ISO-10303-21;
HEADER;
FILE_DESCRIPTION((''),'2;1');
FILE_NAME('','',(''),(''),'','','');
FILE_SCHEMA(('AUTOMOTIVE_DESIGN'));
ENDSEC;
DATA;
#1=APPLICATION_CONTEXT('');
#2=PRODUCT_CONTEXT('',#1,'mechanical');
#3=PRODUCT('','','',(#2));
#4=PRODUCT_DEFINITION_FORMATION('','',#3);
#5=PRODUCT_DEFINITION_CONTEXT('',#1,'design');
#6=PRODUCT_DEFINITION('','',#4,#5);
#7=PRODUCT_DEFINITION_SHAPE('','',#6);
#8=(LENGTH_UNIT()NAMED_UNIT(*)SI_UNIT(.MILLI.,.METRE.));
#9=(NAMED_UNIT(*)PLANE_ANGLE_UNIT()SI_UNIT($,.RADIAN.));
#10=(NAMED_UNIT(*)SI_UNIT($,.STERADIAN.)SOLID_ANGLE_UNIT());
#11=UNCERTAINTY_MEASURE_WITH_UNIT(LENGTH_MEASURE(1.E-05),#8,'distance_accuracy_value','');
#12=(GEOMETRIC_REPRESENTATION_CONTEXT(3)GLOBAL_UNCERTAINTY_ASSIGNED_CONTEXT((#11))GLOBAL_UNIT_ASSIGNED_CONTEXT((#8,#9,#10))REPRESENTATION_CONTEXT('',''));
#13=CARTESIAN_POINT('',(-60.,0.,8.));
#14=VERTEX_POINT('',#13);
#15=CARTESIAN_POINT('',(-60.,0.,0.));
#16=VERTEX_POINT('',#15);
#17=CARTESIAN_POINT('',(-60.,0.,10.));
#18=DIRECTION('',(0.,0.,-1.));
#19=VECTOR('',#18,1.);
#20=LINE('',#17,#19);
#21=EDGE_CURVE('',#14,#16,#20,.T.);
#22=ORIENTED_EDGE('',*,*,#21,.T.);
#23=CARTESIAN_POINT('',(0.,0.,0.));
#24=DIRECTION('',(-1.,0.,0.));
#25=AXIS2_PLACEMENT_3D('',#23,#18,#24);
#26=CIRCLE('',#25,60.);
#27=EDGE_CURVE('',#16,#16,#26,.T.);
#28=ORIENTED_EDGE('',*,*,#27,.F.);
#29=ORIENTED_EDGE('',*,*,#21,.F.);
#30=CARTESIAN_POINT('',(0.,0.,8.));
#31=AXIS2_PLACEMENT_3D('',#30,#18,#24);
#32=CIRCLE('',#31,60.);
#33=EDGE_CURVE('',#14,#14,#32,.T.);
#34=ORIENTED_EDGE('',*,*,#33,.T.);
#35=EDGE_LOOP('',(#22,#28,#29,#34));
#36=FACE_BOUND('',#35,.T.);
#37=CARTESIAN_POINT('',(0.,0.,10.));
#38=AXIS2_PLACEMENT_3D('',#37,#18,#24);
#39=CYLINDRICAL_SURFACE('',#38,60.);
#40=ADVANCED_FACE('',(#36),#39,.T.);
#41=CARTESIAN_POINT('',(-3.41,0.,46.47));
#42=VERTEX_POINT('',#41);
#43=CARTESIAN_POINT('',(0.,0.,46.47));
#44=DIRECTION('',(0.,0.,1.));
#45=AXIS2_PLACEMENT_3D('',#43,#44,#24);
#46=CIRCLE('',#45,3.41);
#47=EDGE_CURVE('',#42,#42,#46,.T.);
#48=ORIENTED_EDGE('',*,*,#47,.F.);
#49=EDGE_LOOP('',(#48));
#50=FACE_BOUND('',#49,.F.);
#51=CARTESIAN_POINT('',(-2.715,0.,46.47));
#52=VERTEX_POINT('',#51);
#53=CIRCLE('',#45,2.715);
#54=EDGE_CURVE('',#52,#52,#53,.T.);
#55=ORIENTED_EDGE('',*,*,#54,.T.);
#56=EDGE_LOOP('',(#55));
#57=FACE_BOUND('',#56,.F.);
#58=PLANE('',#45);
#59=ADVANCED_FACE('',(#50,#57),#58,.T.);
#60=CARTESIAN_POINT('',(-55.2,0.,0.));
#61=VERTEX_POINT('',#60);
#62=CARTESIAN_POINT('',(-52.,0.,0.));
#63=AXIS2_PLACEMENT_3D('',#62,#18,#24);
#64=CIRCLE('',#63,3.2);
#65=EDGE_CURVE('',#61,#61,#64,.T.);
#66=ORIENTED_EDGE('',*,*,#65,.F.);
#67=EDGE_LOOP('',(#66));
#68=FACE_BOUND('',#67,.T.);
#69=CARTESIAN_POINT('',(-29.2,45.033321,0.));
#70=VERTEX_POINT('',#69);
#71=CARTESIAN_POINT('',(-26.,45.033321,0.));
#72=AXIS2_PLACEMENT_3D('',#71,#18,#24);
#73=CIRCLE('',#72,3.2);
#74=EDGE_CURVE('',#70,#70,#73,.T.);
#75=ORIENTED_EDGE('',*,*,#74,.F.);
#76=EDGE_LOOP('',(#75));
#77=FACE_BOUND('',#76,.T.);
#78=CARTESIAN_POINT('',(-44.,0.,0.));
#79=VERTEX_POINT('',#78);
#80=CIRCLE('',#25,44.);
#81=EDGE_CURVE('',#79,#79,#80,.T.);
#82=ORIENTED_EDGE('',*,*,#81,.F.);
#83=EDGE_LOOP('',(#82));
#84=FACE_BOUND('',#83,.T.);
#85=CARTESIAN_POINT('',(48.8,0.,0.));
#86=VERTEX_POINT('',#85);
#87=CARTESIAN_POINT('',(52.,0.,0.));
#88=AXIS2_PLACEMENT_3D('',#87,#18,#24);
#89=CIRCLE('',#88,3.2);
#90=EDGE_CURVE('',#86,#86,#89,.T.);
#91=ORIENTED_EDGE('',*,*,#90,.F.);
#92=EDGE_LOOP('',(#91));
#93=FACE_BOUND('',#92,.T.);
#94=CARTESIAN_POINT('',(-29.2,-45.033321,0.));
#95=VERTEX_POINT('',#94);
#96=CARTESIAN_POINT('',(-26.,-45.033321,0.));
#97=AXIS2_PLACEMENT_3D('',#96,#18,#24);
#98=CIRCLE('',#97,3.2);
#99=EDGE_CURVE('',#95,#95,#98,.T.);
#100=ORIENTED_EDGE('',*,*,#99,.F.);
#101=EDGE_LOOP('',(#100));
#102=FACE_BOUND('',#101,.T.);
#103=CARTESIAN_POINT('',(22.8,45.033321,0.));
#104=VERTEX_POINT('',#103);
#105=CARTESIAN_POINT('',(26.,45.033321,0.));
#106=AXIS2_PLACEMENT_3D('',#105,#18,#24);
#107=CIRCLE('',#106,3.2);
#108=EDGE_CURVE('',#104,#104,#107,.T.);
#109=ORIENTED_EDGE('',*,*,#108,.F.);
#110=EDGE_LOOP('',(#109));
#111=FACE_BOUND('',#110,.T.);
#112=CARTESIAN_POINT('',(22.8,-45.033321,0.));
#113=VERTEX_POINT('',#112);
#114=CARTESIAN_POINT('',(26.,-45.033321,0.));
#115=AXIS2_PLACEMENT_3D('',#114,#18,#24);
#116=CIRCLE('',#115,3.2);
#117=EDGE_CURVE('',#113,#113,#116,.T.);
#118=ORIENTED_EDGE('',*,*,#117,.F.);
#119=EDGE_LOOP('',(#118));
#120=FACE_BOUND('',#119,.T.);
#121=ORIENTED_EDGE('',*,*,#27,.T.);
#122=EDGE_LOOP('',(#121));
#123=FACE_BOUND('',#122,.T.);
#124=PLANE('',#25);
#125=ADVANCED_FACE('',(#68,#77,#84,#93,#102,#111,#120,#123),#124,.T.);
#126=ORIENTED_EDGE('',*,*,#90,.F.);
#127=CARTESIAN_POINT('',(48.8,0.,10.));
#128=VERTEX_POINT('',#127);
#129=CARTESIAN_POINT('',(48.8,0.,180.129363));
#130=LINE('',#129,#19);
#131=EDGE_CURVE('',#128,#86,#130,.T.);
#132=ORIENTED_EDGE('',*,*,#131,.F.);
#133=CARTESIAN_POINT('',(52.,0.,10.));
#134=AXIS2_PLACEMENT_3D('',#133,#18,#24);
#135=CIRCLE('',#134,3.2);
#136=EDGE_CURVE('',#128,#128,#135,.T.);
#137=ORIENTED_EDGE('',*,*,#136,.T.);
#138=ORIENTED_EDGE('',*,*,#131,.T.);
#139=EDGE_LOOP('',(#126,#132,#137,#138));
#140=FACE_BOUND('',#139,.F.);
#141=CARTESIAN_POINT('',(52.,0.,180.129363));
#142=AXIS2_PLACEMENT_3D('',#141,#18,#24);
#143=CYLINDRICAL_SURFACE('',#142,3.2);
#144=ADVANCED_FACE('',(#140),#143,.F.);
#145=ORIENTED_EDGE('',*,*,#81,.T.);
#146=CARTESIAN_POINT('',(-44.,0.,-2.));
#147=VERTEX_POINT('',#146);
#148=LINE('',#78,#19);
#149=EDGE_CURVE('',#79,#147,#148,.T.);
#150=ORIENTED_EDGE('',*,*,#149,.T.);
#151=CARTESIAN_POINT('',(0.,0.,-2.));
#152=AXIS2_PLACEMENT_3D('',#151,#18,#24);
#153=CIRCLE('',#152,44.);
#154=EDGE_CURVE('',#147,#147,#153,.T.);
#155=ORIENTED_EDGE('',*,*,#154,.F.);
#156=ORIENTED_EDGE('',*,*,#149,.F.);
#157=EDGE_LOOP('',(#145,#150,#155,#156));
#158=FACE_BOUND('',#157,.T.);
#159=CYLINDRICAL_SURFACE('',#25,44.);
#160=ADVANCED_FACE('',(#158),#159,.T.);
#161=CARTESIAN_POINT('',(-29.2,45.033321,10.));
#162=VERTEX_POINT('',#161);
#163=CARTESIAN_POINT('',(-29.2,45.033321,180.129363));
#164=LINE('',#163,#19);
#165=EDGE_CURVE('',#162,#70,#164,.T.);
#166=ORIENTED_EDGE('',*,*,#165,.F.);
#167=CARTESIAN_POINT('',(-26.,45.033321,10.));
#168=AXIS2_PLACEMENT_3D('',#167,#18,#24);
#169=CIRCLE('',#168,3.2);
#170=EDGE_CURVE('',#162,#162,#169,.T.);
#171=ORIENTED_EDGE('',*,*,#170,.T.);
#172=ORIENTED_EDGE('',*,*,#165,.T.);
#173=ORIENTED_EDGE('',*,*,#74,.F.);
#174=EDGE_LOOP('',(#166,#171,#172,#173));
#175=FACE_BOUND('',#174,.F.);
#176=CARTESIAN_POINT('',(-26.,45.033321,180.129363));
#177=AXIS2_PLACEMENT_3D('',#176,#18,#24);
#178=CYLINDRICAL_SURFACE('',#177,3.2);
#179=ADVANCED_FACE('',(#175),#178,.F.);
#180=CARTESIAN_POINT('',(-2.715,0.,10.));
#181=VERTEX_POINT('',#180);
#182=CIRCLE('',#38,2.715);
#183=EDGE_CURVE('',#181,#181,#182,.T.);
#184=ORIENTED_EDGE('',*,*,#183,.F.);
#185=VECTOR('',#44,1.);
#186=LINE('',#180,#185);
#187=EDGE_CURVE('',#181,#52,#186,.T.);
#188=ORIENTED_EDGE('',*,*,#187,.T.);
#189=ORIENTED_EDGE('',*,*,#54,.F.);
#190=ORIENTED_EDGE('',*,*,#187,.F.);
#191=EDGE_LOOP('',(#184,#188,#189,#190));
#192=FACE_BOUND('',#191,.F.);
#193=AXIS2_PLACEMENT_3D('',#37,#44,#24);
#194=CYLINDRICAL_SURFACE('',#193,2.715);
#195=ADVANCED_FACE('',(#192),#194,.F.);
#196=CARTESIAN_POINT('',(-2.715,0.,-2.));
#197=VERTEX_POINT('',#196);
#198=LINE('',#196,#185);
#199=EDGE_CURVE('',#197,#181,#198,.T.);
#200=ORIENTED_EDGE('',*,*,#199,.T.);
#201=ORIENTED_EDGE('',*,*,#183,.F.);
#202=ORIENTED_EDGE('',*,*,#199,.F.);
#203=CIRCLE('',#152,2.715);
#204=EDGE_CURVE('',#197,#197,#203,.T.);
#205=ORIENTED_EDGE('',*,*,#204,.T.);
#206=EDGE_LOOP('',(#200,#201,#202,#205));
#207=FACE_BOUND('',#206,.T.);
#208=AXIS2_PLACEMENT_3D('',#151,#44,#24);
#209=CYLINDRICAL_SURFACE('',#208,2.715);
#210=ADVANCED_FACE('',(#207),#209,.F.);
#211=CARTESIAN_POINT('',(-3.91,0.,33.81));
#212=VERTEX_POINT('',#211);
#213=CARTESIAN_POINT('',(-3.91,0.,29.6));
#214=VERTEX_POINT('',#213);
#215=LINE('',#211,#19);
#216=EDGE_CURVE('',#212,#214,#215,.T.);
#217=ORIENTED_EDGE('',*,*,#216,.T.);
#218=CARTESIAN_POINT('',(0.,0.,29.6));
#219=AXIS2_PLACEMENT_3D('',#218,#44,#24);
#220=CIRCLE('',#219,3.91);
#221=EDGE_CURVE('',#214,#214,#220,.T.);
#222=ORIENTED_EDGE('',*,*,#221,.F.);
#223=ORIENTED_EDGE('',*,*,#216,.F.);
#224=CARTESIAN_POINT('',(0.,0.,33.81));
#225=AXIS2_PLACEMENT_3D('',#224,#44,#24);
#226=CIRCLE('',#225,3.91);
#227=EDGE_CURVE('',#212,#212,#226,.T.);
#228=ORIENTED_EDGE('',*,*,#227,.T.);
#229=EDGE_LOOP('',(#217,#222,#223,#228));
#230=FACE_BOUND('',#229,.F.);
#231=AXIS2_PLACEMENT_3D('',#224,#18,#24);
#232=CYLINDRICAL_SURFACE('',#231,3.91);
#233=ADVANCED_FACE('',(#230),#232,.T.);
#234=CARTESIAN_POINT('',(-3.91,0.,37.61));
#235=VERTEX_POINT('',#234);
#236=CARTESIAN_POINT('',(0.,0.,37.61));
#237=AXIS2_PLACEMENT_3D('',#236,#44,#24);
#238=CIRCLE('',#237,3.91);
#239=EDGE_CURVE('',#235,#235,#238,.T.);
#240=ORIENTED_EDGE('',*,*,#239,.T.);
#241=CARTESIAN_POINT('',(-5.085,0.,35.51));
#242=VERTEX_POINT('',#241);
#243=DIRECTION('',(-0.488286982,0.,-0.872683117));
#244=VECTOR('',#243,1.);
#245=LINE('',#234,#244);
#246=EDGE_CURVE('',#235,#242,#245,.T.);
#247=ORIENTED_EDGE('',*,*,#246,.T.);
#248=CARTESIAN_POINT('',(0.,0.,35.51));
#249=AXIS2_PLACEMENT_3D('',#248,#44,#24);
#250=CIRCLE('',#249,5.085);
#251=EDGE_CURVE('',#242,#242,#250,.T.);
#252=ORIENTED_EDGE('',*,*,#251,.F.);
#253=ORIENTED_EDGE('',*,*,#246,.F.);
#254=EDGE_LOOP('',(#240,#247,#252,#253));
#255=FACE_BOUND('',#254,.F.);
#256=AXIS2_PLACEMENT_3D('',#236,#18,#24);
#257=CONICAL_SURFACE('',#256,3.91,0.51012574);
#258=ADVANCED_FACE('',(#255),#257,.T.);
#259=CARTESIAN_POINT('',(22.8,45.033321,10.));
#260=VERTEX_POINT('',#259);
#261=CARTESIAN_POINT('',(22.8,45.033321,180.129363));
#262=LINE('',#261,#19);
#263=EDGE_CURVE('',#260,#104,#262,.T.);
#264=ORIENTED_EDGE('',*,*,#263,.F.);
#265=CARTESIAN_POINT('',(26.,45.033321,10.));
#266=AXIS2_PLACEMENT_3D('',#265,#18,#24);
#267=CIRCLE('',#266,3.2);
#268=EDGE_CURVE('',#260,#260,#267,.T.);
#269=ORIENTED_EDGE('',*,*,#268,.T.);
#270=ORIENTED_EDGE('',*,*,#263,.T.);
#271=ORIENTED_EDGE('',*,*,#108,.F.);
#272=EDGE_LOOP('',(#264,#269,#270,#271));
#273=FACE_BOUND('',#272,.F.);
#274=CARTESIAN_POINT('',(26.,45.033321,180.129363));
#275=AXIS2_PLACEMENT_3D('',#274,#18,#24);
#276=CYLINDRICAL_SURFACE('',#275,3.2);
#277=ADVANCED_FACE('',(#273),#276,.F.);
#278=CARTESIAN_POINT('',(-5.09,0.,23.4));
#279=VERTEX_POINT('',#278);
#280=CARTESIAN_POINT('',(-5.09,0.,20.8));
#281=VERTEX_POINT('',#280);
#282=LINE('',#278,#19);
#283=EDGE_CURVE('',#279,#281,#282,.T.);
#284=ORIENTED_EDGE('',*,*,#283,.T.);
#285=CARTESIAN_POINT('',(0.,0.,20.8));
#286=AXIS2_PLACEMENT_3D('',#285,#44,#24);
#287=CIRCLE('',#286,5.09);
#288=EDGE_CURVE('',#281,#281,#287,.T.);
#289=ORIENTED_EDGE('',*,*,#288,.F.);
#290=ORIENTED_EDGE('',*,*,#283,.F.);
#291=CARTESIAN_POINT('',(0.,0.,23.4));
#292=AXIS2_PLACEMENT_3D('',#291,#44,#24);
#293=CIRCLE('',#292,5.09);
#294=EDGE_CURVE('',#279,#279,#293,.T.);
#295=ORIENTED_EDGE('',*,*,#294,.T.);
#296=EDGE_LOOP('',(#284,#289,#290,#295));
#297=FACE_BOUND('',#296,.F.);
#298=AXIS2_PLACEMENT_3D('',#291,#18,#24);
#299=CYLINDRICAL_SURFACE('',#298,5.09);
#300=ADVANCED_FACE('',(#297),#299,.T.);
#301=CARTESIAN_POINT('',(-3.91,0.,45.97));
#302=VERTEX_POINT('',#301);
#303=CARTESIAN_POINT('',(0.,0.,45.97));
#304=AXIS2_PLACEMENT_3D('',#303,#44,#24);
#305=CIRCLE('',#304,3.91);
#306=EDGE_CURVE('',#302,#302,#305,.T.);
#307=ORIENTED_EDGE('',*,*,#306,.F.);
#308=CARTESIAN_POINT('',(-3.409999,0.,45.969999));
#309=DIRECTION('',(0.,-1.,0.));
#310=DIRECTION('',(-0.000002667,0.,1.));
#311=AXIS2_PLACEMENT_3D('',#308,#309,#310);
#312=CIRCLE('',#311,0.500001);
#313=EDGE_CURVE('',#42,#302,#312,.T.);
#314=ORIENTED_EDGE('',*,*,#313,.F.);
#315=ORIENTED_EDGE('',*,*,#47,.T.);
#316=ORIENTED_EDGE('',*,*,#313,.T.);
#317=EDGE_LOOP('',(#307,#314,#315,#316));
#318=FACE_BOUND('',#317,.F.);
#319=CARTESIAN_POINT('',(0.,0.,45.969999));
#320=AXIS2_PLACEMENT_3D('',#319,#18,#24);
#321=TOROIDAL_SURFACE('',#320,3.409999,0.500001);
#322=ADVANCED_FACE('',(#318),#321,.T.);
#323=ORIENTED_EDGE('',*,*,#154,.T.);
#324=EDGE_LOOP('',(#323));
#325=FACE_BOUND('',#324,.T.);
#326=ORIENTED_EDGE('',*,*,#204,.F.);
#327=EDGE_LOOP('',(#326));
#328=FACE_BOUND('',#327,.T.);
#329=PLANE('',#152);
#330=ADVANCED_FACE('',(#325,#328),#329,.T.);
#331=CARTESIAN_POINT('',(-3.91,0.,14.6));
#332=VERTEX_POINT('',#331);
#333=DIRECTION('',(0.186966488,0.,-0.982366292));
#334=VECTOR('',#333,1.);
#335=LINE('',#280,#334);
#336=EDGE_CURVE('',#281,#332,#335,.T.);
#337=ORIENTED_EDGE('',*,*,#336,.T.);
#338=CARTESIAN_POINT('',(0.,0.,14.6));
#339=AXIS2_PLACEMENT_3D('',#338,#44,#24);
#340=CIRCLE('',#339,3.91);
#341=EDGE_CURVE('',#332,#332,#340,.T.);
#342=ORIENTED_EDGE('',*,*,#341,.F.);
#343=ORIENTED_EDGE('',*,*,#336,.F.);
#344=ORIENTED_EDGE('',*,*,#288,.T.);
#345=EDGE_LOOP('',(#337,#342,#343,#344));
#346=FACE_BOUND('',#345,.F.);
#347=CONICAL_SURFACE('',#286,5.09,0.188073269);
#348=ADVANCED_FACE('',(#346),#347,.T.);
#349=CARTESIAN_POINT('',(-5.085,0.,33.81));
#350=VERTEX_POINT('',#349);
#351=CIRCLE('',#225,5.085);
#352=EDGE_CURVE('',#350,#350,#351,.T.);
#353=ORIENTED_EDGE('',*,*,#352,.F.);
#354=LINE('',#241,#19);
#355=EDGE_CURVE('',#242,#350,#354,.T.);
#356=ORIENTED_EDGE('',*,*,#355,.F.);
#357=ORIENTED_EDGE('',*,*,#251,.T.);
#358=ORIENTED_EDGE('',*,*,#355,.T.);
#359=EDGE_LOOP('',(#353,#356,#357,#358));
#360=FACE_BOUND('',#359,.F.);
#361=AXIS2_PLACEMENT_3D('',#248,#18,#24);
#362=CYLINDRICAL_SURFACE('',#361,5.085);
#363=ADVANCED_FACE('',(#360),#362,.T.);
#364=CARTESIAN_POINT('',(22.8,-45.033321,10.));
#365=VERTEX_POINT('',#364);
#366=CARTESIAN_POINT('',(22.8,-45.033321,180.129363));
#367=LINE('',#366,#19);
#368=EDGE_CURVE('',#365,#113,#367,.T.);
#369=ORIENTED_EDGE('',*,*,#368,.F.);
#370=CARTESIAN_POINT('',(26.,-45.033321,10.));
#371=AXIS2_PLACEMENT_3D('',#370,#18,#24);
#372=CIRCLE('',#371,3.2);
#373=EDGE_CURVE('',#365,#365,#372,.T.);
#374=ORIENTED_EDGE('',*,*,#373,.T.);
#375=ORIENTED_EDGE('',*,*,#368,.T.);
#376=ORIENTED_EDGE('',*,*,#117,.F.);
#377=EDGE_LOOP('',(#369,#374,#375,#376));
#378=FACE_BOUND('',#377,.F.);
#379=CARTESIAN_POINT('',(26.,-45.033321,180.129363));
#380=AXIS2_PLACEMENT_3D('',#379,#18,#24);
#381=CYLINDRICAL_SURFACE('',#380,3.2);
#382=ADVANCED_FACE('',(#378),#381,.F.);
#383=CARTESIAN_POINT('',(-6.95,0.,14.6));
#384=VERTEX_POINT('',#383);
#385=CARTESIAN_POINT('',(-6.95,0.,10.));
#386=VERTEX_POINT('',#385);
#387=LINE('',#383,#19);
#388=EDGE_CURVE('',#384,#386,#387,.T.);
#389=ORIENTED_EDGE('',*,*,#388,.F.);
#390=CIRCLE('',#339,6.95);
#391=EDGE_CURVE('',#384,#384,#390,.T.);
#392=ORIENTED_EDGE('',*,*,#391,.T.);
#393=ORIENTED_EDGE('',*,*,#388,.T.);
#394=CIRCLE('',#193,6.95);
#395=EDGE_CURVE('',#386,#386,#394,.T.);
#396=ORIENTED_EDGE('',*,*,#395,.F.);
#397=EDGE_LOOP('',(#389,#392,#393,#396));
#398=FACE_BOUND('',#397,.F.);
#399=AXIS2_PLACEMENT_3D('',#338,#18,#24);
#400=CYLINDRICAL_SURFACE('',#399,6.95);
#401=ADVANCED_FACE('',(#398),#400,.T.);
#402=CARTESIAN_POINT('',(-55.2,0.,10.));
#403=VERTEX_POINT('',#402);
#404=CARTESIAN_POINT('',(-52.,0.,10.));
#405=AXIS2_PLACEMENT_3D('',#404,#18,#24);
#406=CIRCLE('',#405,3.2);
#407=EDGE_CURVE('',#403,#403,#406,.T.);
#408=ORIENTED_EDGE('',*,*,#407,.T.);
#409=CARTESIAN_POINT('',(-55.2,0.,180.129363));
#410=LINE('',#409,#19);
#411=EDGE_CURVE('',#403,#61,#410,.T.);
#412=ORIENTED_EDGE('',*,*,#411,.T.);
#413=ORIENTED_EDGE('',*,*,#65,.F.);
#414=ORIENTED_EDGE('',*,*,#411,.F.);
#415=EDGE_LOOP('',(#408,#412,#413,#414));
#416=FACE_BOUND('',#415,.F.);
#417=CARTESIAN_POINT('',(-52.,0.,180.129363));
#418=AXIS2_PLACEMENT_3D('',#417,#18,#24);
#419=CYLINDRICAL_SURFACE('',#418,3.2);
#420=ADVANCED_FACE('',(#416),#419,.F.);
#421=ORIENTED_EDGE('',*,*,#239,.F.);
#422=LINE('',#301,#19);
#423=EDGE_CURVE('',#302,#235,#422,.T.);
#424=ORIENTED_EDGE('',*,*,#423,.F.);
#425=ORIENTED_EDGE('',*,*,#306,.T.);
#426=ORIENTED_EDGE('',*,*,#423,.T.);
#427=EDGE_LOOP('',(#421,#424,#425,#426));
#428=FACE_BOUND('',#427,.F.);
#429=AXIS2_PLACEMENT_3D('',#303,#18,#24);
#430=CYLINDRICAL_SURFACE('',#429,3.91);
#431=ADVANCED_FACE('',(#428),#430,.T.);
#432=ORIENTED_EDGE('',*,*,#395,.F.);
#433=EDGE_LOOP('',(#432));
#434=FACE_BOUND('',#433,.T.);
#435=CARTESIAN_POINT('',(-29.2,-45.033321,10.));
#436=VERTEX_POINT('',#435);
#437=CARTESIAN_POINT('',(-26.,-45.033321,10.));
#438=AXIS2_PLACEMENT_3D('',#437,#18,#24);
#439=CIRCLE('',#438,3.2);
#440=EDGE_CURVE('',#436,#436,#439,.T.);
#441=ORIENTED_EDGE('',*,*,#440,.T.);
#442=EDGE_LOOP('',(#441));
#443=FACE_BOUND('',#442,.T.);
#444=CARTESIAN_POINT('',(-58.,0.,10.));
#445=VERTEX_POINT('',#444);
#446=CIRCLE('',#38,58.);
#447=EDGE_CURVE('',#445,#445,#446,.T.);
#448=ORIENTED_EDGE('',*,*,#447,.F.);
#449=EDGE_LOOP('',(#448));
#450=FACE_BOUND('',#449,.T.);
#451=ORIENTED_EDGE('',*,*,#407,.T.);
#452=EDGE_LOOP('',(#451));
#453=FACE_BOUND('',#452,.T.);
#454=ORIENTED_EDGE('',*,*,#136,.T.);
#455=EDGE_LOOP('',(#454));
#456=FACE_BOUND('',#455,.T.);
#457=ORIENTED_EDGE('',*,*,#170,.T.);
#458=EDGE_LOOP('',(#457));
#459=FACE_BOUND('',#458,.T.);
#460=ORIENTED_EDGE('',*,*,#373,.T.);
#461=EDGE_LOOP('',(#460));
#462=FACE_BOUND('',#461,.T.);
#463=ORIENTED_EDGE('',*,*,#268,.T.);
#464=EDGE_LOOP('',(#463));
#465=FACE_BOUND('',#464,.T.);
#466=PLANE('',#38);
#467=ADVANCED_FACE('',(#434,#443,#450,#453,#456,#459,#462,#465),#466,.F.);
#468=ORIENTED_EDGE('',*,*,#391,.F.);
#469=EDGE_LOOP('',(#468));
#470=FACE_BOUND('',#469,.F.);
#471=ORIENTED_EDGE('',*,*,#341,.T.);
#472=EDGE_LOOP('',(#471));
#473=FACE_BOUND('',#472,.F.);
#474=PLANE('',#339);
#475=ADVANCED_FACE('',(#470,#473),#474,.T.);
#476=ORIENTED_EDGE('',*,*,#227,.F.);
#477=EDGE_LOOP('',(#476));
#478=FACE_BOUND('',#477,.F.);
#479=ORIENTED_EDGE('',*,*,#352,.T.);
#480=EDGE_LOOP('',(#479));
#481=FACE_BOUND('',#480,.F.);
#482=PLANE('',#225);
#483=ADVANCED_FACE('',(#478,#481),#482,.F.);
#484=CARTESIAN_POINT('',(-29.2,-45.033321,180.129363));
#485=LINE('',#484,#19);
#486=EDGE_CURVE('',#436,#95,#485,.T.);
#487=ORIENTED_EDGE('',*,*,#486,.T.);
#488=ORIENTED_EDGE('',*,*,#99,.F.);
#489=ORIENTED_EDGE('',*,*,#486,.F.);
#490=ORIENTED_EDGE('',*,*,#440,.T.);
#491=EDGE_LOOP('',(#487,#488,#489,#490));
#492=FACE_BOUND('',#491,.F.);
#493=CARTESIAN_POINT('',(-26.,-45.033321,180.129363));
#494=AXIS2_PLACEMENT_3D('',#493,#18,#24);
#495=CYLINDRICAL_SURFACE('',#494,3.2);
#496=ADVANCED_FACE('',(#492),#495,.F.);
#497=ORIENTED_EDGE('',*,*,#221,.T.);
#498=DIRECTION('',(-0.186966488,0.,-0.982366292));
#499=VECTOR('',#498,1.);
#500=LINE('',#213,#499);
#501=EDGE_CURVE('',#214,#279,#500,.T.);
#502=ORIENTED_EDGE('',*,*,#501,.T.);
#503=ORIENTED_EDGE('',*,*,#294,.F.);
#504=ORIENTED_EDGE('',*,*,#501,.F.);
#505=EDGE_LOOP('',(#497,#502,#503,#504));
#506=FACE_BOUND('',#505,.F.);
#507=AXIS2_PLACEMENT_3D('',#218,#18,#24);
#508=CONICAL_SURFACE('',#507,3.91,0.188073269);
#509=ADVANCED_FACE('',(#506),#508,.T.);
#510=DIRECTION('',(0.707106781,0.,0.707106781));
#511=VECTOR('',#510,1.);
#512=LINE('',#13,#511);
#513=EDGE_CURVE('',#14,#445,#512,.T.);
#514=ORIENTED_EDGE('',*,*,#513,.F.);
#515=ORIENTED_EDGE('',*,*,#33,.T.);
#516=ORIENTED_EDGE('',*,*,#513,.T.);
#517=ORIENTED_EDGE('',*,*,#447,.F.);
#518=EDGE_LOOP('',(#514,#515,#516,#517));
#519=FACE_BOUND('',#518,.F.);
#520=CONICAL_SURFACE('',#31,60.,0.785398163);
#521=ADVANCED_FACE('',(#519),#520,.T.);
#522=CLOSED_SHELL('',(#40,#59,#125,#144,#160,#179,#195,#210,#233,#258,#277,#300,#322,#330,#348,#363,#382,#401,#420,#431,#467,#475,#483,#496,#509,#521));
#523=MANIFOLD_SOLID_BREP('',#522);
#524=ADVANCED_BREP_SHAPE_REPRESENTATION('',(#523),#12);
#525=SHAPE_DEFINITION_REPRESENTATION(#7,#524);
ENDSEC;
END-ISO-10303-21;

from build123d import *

# Parameters (mm, degrees)
F4_D    = 6.4
F5_SIZE = 2


with BuildPart() as f1:
    # F0 (on Front) → F1 (revolve)
    with BuildSketch(Plane.XZ):
        Polygon((-44, 0), (-44, -2), (-2.715, -2), (-2.715, 10), (-60, 10), (-60, 0), align=None)
    revolve(axis=Axis((0, 0, 2.463164), (0, 0, -1)))

    # F4 (through all)
    with Locations(Plane.XY.offset(10)):
        with Locations((-26, 45.033321), (-52, 0), (-26, -45.033321), (26, -45.033321), (52, 0), (26, 45.033321)):
            Hole(F4_D / 2)

    # F5
    f5_edges = [f1.edges().sort_by_distance(p)[0] for p in [
        (60, 0, 10),
    ]]
    chamfer(f5_edges, length=F5_SIZE)

    # F6 (on Front) → F7 (revolve)
    with BuildSketch(Plane.XZ):
        with BuildLine():
            Line((-3.91, 45.97), (-3.91, 37.61))
            Line((-3.91, 37.61), (-5.085, 35.51))
            Line((-5.085, 35.51), (-5.085, 33.81))
            Line((-5.085, 33.81), (-3.91, 33.81))
            Line((-3.91, 33.81), (-3.91, 29.6))
            Line((-3.91, 29.6), (-5.09, 23.4))
            Line((-5.09, 23.4), (-5.09, 20.8))
            Line((-5.09, 20.8), (-3.91, 14.6))
            Line((-3.91, 14.6), (-6.95, 14.6))
            Line((-6.95, 14.6), (-6.95, 10))
            Line((-6.95, 10), (-2.715, 10))
            Line((-2.715, 10), (-2.715, 46.47))
            Line((-2.715, 46.47), (-3.41, 46.47))
            ThreePointArc((-3.41, 46.47), (-3.763553, 46.323553), (-3.91, 45.97))
        make_face()
    revolve(axis=Axis((0, 0, 24.371663), (0, 0, 1)))


solid = f1.part
